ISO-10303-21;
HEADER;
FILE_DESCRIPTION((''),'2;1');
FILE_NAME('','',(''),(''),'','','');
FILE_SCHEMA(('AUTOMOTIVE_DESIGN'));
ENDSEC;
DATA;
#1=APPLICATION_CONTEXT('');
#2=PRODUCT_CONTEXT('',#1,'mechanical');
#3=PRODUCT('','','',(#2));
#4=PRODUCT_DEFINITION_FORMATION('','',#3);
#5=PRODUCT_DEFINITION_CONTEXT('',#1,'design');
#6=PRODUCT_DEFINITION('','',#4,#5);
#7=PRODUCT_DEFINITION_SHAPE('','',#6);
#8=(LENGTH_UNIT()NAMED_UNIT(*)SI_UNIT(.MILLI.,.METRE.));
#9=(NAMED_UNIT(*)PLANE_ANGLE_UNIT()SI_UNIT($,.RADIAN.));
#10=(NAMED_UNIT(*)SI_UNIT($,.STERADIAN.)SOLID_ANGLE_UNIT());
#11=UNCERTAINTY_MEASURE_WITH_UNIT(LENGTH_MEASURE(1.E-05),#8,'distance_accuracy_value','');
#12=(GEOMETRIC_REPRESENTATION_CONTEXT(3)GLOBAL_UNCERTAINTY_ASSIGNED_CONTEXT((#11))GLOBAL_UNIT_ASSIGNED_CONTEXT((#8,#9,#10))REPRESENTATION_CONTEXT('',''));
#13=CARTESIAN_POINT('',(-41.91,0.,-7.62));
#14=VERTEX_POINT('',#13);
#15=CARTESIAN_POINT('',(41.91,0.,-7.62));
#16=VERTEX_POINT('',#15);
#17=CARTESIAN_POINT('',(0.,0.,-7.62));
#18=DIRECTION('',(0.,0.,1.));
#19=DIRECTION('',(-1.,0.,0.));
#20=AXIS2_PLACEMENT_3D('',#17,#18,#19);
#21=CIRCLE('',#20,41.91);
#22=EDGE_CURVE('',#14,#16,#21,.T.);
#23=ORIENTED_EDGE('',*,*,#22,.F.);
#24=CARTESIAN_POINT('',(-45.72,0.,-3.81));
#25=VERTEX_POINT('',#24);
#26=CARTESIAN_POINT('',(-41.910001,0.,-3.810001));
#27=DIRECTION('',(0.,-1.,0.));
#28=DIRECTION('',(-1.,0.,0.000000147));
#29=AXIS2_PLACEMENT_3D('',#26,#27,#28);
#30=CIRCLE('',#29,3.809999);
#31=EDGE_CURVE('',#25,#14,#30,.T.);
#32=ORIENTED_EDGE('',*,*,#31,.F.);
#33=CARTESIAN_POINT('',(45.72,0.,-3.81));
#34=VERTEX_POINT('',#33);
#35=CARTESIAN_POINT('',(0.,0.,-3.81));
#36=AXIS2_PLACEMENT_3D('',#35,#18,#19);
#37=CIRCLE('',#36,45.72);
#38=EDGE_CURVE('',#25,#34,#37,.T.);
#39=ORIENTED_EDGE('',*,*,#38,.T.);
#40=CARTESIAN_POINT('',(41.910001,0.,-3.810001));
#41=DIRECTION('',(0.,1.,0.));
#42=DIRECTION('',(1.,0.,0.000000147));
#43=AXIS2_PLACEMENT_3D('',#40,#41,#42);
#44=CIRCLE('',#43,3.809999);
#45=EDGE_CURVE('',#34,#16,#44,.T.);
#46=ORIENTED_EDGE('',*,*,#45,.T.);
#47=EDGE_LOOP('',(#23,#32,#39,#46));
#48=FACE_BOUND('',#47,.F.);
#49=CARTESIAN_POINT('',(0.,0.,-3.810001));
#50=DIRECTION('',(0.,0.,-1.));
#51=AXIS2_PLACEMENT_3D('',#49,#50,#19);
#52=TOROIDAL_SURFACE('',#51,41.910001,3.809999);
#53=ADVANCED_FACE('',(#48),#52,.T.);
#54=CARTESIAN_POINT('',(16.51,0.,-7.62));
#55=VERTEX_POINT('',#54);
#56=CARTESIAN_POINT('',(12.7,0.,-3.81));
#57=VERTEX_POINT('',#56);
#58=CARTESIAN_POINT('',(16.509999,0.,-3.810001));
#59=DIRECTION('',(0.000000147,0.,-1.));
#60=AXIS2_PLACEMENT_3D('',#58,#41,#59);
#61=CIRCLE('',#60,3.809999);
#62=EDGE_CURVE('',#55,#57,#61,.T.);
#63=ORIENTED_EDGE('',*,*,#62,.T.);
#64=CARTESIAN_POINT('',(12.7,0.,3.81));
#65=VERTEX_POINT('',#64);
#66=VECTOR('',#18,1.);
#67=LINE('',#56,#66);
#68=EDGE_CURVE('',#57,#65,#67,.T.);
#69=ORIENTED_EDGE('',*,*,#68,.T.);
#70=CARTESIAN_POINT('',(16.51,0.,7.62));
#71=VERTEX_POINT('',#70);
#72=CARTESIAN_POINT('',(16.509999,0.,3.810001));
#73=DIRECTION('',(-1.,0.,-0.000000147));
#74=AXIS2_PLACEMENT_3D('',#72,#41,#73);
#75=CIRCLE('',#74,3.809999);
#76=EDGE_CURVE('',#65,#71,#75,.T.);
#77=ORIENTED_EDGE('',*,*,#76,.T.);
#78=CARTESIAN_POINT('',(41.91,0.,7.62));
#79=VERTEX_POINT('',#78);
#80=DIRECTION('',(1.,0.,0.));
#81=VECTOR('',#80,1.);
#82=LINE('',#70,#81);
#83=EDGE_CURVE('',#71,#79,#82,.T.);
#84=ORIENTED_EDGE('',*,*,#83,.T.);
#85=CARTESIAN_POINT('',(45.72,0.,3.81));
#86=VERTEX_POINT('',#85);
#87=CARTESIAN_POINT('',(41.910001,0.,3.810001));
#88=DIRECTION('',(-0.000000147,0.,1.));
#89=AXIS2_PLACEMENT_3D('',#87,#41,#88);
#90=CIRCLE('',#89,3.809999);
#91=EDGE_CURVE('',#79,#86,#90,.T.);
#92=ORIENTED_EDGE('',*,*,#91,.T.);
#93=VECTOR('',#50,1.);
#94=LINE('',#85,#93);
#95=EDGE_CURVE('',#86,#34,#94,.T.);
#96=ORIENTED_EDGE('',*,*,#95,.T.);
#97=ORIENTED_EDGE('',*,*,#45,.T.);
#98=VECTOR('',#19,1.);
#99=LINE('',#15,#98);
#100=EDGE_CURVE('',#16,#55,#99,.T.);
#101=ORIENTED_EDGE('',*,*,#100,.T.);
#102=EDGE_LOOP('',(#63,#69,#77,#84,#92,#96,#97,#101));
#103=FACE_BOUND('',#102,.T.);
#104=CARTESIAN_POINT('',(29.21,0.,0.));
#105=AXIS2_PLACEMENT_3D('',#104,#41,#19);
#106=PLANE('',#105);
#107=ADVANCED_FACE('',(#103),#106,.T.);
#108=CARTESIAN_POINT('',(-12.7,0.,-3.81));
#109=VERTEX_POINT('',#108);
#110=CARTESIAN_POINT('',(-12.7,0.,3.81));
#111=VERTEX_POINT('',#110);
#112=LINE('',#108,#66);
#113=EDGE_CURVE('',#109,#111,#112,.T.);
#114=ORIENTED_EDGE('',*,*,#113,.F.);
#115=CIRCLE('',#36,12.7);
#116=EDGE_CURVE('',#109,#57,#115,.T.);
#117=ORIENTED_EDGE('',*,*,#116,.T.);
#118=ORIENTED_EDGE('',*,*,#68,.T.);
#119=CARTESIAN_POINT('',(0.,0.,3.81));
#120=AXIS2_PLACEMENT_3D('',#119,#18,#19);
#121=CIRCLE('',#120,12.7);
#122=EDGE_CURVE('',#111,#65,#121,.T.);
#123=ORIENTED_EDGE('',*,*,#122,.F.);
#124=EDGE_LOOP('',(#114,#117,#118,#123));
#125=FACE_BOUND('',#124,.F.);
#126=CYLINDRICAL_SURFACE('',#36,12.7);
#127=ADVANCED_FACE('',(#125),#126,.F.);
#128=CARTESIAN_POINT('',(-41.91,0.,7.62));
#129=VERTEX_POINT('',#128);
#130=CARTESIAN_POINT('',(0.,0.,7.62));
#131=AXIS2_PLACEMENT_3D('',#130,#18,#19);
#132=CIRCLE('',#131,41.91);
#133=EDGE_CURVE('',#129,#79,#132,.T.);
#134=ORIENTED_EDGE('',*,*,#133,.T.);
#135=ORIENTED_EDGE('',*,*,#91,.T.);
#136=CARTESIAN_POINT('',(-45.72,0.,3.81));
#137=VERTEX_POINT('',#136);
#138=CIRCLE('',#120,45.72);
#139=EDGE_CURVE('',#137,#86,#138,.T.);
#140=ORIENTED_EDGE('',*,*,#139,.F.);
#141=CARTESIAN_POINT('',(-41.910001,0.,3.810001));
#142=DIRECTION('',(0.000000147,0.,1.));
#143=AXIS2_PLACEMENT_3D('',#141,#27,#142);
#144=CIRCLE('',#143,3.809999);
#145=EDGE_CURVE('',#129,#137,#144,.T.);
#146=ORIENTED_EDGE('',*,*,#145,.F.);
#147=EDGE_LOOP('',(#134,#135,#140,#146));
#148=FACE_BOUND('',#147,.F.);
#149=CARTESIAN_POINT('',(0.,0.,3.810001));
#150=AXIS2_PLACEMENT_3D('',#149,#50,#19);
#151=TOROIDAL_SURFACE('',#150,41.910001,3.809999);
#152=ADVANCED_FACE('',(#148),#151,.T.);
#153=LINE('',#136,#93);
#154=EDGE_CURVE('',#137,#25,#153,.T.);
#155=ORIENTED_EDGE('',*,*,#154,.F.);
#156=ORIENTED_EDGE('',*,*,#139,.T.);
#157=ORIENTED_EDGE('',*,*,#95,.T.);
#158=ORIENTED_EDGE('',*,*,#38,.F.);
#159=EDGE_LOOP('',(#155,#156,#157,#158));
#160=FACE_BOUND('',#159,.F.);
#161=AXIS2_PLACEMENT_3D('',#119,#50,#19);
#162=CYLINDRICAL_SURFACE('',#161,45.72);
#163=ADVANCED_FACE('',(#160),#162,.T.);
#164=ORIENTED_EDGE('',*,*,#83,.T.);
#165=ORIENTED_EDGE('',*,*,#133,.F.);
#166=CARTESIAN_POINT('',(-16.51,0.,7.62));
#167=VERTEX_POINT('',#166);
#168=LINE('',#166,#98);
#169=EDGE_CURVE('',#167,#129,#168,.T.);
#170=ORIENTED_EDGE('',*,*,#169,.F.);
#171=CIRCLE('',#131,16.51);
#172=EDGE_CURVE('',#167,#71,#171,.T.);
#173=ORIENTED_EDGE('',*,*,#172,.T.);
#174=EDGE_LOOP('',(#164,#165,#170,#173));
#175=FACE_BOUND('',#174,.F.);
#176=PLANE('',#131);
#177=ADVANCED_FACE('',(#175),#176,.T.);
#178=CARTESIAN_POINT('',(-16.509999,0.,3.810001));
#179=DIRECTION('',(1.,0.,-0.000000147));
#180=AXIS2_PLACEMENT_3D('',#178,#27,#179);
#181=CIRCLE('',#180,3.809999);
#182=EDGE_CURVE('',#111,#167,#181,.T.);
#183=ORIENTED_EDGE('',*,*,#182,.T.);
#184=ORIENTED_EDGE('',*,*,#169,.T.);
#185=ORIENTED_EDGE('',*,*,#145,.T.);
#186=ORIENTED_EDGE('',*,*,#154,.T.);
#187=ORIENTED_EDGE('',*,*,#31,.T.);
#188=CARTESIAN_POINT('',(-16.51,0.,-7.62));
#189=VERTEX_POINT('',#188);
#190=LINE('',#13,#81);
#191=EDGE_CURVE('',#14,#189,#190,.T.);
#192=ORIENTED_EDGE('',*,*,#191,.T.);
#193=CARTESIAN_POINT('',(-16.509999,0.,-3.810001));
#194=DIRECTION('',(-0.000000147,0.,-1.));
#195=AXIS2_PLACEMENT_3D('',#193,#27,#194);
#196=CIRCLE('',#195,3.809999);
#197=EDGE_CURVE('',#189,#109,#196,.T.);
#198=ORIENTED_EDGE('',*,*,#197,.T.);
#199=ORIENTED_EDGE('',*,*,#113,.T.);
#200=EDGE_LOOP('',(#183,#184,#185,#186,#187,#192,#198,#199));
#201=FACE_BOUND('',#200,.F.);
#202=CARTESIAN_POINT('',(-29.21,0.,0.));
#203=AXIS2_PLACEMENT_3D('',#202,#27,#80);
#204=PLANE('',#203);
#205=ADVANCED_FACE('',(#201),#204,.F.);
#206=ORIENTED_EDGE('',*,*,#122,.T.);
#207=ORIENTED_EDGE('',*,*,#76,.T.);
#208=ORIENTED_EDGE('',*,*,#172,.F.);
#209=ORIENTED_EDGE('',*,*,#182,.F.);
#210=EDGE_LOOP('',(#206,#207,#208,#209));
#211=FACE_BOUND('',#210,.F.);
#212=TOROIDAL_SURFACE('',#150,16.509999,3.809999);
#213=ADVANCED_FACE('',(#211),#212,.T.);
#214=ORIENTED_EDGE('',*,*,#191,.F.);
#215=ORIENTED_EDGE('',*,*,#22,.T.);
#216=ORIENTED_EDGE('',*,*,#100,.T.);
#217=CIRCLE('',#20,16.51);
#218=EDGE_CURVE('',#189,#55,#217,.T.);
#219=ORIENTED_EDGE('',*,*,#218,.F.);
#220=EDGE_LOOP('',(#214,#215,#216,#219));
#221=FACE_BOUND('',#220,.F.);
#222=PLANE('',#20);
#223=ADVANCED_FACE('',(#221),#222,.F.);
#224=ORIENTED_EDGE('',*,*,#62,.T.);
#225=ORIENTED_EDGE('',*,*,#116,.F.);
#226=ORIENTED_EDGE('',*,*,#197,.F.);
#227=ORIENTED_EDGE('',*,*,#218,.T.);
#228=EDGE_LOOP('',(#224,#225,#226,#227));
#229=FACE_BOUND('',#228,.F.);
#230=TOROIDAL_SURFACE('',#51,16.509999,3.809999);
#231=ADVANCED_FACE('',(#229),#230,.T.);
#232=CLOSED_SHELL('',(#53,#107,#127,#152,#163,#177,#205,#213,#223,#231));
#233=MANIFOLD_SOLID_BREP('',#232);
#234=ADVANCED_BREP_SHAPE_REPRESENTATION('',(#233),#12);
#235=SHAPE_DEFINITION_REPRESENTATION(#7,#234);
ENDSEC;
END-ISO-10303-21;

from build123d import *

# Parameters (mm, degrees)
F1_ANGLE = 180


with BuildPart() as f1:
    # F0 (on Front) → F1 (revolve)
    with BuildSketch(Plane.XZ):
        with BuildLine():
            Line((-16.51, 7.62), (-41.91, 7.62))
            ThreePointArc((-41.91, 7.62), (-44.604077, 6.504077), (-45.72, 3.81))
            Line((-45.72, 3.81), (-45.72, -3.81))
            ThreePointArc((-45.72, -3.81), (-44.604077, -6.504077), (-41.91, -7.62))
            Line((-41.91, -7.62), (-16.51, -7.62))
            ThreePointArc((-16.51, -7.62), (-13.815923, -6.504077), (-12.7, -3.81))
            Line((-12.7, -3.81), (-12.7, 3.81))
            ThreePointArc((-12.7, 3.81), (-13.815923, 6.504077), (-16.51, 7.62))
        make_face()
    revolve(axis=Axis((0, 0, 0), (0, 0, 1)), revolution_arc=F1_ANGLE)


solid = f1.part
